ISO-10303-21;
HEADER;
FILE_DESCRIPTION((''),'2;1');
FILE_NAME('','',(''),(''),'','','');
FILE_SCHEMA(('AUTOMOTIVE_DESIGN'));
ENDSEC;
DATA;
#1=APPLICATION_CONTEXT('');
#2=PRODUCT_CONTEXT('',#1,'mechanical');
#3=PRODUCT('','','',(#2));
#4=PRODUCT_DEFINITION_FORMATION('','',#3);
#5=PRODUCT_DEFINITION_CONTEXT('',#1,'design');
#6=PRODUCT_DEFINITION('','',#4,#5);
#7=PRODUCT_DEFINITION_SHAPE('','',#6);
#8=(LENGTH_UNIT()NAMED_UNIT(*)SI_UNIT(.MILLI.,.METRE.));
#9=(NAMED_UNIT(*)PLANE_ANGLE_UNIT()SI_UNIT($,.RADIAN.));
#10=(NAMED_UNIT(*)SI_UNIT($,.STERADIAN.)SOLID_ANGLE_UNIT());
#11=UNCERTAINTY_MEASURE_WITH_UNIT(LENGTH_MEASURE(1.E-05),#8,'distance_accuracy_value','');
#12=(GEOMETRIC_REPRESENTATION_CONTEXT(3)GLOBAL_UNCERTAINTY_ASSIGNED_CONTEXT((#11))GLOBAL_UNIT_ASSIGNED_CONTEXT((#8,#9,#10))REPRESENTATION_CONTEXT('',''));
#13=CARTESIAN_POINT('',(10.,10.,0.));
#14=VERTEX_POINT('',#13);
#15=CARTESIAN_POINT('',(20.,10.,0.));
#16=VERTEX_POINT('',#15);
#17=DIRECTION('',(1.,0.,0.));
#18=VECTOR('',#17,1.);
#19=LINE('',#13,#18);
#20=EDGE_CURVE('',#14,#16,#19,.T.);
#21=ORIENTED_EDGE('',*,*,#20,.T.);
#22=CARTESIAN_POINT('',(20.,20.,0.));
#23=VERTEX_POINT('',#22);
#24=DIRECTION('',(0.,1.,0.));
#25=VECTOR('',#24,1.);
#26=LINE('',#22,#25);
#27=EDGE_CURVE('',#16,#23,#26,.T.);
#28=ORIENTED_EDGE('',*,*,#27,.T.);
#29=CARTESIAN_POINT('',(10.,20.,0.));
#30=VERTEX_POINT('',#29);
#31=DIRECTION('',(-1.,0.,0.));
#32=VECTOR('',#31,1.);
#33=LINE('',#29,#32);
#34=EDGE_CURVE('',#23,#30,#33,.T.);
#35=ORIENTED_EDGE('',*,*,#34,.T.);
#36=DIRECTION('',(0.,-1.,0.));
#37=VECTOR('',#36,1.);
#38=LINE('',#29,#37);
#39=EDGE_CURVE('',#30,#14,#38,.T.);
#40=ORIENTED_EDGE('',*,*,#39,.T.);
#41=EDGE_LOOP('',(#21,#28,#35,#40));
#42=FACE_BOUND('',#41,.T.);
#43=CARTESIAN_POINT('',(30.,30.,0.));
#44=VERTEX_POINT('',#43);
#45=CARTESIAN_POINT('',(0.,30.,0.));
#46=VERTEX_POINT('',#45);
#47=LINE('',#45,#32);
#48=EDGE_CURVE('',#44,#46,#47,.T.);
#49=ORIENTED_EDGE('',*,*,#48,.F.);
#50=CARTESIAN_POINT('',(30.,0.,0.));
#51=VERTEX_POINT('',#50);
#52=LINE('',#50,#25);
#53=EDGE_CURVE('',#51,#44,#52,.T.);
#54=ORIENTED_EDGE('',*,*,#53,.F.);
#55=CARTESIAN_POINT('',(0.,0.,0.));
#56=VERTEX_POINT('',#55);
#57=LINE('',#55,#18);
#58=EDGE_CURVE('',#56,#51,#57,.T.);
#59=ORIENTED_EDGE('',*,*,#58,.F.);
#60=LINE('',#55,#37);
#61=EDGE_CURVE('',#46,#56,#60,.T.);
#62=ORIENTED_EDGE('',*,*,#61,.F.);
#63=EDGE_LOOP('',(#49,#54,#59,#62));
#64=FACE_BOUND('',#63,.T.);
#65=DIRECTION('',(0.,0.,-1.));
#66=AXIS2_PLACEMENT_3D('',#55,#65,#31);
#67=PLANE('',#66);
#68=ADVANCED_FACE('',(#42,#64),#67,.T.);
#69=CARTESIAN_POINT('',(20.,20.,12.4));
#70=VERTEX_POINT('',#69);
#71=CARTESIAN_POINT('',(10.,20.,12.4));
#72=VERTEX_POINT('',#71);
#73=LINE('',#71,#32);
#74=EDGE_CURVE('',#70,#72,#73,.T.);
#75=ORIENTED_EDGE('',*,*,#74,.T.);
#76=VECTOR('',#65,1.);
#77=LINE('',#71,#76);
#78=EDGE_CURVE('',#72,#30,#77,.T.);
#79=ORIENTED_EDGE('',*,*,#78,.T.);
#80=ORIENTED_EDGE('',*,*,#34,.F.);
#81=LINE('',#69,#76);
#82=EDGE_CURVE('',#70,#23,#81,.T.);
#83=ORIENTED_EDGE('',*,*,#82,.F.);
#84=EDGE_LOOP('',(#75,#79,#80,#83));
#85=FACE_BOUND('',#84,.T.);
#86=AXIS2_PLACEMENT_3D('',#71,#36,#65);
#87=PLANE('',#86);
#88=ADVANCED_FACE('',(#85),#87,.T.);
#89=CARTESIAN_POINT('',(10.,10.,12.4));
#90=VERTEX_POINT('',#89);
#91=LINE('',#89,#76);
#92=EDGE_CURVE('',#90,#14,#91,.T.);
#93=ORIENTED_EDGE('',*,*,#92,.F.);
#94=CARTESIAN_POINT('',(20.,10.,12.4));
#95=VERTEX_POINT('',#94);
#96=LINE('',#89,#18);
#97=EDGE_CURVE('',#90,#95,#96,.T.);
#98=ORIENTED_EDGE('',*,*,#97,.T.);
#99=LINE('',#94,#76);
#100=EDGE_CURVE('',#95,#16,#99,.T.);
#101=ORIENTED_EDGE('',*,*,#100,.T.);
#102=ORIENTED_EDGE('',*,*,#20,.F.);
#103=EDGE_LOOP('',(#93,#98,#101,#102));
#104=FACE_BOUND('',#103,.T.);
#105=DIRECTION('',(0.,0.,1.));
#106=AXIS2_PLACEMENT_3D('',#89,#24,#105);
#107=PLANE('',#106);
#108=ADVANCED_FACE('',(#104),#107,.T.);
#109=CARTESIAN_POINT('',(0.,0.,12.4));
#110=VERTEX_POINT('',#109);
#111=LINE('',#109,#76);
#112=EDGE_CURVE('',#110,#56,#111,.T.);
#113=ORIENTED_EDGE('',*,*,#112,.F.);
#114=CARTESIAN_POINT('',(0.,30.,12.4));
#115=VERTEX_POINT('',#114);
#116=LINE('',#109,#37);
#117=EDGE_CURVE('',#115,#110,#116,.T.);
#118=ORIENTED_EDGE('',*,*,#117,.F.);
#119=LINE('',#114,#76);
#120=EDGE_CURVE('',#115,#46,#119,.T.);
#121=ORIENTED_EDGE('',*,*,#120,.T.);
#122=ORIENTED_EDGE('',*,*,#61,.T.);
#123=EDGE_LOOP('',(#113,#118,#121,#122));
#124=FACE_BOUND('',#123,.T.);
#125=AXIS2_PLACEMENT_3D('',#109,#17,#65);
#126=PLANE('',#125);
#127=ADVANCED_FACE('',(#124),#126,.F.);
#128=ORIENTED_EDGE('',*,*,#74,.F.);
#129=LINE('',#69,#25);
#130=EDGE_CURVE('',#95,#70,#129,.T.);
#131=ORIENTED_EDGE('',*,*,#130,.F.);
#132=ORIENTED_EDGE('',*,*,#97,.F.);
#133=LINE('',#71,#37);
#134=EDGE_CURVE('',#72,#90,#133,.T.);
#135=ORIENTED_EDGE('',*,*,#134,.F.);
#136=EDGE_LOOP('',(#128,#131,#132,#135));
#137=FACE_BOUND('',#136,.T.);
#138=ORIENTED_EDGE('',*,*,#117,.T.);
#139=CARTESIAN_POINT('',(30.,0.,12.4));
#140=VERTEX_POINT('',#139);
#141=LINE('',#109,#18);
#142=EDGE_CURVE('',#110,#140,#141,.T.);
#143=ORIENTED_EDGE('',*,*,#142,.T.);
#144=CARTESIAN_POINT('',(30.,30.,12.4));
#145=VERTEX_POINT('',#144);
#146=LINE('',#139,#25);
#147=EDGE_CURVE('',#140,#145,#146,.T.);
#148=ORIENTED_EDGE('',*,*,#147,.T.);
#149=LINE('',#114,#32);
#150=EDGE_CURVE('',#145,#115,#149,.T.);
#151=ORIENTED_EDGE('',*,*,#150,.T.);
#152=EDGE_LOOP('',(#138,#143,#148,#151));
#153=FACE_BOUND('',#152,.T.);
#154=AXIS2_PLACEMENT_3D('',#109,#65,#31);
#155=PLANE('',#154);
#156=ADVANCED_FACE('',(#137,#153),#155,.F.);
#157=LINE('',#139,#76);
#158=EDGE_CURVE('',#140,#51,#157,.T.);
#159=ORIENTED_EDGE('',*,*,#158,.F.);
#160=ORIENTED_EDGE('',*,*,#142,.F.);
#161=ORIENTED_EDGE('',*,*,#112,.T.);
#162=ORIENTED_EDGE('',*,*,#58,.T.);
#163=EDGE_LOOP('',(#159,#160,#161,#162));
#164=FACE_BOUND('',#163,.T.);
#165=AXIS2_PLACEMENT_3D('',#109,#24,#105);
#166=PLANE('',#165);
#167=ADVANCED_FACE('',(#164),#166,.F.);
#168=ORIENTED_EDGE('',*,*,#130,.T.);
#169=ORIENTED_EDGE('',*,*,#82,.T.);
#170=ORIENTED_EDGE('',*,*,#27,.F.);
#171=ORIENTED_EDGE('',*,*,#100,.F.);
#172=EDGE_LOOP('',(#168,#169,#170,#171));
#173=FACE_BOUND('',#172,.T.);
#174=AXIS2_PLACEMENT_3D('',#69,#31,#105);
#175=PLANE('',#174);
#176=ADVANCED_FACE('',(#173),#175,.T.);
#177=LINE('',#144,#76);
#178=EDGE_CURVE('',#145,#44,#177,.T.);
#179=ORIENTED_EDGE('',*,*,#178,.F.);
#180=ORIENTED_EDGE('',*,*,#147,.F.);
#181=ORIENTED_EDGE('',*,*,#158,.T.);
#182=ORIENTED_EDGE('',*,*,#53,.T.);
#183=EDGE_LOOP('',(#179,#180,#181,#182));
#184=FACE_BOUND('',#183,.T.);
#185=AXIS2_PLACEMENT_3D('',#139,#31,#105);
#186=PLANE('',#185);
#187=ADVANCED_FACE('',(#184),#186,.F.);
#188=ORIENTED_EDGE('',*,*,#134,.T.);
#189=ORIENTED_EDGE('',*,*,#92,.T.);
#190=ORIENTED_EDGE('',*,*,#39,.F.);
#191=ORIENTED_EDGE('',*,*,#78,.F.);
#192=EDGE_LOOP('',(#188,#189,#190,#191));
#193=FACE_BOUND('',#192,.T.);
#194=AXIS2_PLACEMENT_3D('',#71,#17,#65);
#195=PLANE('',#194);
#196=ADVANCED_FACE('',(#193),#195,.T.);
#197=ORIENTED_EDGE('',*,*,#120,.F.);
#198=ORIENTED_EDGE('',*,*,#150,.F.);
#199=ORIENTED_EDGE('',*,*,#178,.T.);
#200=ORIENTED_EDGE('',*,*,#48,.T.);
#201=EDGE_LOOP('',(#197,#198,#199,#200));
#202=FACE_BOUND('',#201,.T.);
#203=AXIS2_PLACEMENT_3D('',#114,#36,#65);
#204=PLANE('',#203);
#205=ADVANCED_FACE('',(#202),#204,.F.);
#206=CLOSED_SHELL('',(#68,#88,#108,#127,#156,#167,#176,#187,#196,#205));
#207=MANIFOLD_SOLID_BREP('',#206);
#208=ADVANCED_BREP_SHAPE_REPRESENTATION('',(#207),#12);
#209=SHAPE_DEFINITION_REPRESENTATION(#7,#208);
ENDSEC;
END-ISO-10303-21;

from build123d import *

# Parameters (mm, degrees)
SKETCH1_W           = 30
SKETCH1_H           = 30
SKETCH1_W_2         = 10
SKETCH1_H_2         = 10
BOSS_EXTRUDE1_DEPTH = 12.4


with BuildPart() as part:
    # Sketch1 → Boss-Extrude1 (new body)
    with BuildSketch(Plane.XY):
        with Locations((15, 15)):
            Rectangle(SKETCH1_W, SKETCH1_H)
        with Locations((15, 15)):
            Rectangle(SKETCH1_W_2, SKETCH1_H_2, mode=Mode.SUBTRACT)
    extrude(amount=BOSS_EXTRUDE1_DEPTH)


solid = part.part
